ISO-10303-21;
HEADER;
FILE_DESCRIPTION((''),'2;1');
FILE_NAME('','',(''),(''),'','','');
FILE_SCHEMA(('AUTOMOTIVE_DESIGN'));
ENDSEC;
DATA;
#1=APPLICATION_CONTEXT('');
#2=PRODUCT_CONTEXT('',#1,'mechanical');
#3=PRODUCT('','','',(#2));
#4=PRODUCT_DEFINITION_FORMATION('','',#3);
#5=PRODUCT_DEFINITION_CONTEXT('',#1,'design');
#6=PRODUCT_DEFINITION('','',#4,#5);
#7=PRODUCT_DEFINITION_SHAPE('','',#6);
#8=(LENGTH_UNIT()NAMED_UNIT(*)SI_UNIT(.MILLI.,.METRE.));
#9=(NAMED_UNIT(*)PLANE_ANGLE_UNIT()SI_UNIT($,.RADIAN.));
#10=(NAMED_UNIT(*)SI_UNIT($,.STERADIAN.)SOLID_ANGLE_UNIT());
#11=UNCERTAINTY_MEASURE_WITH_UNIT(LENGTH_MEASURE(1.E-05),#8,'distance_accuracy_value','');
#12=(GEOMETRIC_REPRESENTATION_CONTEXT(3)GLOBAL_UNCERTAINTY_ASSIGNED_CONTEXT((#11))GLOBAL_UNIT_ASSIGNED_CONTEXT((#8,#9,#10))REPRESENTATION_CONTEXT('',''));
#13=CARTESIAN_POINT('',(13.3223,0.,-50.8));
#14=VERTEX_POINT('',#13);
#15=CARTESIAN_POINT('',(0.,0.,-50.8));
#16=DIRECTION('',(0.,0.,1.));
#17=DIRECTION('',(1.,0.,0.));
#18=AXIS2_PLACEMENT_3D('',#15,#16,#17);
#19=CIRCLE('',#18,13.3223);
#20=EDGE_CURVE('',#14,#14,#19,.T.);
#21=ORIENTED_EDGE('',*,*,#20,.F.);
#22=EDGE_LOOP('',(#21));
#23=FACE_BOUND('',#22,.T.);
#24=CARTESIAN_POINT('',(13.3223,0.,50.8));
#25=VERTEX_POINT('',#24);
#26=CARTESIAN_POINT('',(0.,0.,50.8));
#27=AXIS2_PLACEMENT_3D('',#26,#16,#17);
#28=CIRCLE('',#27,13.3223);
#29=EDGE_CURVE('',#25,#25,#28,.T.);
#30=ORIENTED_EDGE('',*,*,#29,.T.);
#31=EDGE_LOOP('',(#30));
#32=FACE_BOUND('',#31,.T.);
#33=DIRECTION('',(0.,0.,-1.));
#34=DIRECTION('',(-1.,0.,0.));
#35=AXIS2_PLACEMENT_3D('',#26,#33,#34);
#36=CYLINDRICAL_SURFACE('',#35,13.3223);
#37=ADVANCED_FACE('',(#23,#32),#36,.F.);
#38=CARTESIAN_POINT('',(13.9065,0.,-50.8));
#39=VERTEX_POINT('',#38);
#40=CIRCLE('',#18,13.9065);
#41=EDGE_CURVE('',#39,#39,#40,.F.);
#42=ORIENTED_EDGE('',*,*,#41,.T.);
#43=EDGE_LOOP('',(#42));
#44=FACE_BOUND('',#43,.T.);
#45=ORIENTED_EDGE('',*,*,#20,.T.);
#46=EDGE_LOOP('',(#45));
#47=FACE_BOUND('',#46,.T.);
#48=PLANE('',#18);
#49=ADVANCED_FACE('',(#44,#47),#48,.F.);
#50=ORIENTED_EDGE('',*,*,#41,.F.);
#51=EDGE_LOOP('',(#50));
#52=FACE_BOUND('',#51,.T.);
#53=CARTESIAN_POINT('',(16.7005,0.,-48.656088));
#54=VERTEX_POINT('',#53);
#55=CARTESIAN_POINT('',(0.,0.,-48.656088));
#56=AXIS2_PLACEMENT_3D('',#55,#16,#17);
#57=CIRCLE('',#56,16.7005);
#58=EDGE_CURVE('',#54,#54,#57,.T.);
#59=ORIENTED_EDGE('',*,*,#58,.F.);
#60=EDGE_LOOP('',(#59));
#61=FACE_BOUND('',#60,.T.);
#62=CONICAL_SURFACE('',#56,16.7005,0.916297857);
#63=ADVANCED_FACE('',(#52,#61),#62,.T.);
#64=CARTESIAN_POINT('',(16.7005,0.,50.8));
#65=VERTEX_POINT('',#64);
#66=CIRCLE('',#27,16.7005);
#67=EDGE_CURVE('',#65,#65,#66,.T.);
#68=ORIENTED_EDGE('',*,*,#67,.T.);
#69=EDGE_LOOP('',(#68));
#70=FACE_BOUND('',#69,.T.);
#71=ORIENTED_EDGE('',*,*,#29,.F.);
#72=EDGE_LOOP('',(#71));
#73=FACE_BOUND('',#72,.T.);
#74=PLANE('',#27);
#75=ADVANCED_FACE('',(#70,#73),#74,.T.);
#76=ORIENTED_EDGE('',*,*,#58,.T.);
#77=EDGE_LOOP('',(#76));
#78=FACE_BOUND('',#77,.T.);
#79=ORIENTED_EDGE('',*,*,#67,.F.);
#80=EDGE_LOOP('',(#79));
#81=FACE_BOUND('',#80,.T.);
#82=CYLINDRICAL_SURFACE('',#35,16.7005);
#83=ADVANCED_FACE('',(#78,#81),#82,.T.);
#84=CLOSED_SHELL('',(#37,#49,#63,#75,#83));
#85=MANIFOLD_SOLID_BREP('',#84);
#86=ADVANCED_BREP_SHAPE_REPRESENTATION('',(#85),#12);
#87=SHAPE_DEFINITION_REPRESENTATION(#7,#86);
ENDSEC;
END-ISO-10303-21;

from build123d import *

# Parameters (mm, degrees)
SKETCH1_R      = 16.7005
SKETCH1_R_2    = 13.3223
EXTRUDE1_DEPTH = 50.8
CHAMFER2_SIZE  = 2.794
CHAMFER2_SIZE2 = 2.143911604


with BuildPart() as part:
    # Sketch1 → Extrude1 (new, symmetric)
    with BuildSketch(Plane.XY):
        Circle(SKETCH1_R)
        Circle(SKETCH1_R_2, mode=Mode.SUBTRACT)
    extrude(amount=EXTRUDE1_DEPTH, both=True)

    # Chamfer2
    chamfer2_edges = [part.edges().sort_by_distance(p)[0] for p in [
        (-16.7005, 0, -50.8),
    ]]
    chamfer2_side = [part.faces().sort_by_distance(p)[0] for p in [
        (-16.228138528, 0, -50.8),
    ]]
    chamfer(chamfer2_edges, length=CHAMFER2_SIZE, length2=CHAMFER2_SIZE2, reference=chamfer2_side[0])


solid = part.part
